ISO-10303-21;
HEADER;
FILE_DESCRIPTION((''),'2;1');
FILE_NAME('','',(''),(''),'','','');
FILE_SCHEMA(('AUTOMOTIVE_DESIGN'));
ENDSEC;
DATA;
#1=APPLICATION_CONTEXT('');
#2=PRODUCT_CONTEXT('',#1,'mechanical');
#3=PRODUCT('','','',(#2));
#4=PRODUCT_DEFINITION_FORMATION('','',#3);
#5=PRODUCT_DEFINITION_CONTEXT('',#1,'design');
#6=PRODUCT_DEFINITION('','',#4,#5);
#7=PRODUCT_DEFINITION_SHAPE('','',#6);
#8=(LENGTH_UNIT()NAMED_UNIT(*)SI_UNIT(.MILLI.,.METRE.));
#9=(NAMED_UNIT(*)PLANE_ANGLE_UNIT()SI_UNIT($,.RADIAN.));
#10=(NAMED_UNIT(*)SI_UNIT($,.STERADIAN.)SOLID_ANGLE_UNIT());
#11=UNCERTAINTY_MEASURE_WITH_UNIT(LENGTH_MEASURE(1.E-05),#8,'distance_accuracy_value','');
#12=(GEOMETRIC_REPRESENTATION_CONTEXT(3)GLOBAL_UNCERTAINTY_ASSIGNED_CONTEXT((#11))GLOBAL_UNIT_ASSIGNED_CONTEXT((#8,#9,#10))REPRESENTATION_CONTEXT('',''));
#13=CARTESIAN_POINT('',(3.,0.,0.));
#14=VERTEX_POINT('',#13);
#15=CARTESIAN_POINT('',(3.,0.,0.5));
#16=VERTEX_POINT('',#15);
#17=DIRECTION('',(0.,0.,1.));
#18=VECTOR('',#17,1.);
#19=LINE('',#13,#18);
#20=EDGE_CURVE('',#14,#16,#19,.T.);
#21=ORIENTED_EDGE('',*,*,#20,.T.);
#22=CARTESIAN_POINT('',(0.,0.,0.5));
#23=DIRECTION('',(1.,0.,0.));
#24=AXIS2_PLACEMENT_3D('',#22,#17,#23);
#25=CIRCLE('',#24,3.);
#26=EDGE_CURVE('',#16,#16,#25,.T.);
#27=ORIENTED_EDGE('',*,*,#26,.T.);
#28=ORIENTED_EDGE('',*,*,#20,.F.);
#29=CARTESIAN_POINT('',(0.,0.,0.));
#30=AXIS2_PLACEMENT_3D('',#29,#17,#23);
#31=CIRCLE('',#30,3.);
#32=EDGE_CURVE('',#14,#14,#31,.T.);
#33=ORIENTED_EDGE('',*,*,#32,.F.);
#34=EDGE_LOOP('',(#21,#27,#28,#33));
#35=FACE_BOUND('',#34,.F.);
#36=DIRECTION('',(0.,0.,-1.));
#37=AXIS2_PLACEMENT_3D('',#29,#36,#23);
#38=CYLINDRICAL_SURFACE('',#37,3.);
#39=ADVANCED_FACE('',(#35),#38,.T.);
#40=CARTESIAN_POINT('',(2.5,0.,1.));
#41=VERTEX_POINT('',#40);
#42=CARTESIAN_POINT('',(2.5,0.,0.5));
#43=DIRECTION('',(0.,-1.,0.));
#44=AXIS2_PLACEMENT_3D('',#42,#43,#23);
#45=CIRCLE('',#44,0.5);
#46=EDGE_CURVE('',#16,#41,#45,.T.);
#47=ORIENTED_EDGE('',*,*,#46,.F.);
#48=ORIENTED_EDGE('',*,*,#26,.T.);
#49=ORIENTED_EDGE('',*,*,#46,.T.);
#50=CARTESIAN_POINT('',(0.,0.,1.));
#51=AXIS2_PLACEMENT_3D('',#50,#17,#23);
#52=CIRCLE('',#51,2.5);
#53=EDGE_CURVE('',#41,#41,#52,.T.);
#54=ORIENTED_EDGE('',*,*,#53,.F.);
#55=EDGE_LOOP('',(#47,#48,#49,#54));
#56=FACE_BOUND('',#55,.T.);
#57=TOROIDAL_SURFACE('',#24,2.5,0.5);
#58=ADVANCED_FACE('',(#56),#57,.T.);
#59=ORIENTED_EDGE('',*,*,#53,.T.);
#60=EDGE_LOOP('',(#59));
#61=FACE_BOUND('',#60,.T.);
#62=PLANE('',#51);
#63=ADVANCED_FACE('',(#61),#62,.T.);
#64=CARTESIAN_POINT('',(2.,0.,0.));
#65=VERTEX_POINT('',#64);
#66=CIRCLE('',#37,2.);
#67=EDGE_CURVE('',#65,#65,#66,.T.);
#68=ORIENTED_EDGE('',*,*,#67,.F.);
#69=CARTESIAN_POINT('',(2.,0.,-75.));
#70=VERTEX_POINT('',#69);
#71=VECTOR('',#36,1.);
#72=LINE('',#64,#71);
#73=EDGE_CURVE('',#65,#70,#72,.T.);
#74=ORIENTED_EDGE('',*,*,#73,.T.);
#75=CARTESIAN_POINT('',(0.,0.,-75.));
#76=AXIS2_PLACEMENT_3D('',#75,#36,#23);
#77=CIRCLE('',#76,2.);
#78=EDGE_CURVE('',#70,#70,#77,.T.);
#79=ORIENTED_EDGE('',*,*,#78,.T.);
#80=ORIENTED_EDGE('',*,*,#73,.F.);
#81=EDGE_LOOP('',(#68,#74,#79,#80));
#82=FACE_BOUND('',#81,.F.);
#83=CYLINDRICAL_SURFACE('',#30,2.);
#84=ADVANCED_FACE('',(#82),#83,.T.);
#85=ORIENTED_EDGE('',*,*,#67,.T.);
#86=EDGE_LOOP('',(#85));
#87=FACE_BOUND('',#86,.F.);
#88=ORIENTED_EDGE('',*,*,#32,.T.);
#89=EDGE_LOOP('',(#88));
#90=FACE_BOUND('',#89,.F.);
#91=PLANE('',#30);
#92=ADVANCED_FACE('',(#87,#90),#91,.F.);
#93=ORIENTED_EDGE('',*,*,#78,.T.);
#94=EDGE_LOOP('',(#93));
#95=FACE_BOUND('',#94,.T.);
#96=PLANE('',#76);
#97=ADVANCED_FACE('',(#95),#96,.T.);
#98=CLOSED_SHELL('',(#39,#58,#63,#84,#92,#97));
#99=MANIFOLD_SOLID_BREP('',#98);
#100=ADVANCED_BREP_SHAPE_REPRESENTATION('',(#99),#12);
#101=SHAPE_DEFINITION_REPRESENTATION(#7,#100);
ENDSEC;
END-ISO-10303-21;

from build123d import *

# Parameters (mm, degrees)
F0_R     = 3
F1_DEPTH = 1
F2_R     = 0.5
F3_R     = 2
F4_DEPTH = 75


with BuildPart() as f1:
    # F0 (on Top) → F1 (new body)
    with BuildSketch(Plane.XY):
        Circle(F0_R)
    extrude(amount=F1_DEPTH)

    # F2
    f2_edges = [f1.edges().sort_by_distance(p)[0] for p in [
        (-3, 0, 1),
    ]]
    fillet(f2_edges, radius=F2_R)

    # F3 (on face) → F4 (join)
    with BuildSketch(Plane(origin=(0, 0, 0), x_dir=(1, 0, 0), z_dir=(0, 0, -1))):
        Circle(F3_R)
    extrude(amount=F4_DEPTH)


solid = f1.part
